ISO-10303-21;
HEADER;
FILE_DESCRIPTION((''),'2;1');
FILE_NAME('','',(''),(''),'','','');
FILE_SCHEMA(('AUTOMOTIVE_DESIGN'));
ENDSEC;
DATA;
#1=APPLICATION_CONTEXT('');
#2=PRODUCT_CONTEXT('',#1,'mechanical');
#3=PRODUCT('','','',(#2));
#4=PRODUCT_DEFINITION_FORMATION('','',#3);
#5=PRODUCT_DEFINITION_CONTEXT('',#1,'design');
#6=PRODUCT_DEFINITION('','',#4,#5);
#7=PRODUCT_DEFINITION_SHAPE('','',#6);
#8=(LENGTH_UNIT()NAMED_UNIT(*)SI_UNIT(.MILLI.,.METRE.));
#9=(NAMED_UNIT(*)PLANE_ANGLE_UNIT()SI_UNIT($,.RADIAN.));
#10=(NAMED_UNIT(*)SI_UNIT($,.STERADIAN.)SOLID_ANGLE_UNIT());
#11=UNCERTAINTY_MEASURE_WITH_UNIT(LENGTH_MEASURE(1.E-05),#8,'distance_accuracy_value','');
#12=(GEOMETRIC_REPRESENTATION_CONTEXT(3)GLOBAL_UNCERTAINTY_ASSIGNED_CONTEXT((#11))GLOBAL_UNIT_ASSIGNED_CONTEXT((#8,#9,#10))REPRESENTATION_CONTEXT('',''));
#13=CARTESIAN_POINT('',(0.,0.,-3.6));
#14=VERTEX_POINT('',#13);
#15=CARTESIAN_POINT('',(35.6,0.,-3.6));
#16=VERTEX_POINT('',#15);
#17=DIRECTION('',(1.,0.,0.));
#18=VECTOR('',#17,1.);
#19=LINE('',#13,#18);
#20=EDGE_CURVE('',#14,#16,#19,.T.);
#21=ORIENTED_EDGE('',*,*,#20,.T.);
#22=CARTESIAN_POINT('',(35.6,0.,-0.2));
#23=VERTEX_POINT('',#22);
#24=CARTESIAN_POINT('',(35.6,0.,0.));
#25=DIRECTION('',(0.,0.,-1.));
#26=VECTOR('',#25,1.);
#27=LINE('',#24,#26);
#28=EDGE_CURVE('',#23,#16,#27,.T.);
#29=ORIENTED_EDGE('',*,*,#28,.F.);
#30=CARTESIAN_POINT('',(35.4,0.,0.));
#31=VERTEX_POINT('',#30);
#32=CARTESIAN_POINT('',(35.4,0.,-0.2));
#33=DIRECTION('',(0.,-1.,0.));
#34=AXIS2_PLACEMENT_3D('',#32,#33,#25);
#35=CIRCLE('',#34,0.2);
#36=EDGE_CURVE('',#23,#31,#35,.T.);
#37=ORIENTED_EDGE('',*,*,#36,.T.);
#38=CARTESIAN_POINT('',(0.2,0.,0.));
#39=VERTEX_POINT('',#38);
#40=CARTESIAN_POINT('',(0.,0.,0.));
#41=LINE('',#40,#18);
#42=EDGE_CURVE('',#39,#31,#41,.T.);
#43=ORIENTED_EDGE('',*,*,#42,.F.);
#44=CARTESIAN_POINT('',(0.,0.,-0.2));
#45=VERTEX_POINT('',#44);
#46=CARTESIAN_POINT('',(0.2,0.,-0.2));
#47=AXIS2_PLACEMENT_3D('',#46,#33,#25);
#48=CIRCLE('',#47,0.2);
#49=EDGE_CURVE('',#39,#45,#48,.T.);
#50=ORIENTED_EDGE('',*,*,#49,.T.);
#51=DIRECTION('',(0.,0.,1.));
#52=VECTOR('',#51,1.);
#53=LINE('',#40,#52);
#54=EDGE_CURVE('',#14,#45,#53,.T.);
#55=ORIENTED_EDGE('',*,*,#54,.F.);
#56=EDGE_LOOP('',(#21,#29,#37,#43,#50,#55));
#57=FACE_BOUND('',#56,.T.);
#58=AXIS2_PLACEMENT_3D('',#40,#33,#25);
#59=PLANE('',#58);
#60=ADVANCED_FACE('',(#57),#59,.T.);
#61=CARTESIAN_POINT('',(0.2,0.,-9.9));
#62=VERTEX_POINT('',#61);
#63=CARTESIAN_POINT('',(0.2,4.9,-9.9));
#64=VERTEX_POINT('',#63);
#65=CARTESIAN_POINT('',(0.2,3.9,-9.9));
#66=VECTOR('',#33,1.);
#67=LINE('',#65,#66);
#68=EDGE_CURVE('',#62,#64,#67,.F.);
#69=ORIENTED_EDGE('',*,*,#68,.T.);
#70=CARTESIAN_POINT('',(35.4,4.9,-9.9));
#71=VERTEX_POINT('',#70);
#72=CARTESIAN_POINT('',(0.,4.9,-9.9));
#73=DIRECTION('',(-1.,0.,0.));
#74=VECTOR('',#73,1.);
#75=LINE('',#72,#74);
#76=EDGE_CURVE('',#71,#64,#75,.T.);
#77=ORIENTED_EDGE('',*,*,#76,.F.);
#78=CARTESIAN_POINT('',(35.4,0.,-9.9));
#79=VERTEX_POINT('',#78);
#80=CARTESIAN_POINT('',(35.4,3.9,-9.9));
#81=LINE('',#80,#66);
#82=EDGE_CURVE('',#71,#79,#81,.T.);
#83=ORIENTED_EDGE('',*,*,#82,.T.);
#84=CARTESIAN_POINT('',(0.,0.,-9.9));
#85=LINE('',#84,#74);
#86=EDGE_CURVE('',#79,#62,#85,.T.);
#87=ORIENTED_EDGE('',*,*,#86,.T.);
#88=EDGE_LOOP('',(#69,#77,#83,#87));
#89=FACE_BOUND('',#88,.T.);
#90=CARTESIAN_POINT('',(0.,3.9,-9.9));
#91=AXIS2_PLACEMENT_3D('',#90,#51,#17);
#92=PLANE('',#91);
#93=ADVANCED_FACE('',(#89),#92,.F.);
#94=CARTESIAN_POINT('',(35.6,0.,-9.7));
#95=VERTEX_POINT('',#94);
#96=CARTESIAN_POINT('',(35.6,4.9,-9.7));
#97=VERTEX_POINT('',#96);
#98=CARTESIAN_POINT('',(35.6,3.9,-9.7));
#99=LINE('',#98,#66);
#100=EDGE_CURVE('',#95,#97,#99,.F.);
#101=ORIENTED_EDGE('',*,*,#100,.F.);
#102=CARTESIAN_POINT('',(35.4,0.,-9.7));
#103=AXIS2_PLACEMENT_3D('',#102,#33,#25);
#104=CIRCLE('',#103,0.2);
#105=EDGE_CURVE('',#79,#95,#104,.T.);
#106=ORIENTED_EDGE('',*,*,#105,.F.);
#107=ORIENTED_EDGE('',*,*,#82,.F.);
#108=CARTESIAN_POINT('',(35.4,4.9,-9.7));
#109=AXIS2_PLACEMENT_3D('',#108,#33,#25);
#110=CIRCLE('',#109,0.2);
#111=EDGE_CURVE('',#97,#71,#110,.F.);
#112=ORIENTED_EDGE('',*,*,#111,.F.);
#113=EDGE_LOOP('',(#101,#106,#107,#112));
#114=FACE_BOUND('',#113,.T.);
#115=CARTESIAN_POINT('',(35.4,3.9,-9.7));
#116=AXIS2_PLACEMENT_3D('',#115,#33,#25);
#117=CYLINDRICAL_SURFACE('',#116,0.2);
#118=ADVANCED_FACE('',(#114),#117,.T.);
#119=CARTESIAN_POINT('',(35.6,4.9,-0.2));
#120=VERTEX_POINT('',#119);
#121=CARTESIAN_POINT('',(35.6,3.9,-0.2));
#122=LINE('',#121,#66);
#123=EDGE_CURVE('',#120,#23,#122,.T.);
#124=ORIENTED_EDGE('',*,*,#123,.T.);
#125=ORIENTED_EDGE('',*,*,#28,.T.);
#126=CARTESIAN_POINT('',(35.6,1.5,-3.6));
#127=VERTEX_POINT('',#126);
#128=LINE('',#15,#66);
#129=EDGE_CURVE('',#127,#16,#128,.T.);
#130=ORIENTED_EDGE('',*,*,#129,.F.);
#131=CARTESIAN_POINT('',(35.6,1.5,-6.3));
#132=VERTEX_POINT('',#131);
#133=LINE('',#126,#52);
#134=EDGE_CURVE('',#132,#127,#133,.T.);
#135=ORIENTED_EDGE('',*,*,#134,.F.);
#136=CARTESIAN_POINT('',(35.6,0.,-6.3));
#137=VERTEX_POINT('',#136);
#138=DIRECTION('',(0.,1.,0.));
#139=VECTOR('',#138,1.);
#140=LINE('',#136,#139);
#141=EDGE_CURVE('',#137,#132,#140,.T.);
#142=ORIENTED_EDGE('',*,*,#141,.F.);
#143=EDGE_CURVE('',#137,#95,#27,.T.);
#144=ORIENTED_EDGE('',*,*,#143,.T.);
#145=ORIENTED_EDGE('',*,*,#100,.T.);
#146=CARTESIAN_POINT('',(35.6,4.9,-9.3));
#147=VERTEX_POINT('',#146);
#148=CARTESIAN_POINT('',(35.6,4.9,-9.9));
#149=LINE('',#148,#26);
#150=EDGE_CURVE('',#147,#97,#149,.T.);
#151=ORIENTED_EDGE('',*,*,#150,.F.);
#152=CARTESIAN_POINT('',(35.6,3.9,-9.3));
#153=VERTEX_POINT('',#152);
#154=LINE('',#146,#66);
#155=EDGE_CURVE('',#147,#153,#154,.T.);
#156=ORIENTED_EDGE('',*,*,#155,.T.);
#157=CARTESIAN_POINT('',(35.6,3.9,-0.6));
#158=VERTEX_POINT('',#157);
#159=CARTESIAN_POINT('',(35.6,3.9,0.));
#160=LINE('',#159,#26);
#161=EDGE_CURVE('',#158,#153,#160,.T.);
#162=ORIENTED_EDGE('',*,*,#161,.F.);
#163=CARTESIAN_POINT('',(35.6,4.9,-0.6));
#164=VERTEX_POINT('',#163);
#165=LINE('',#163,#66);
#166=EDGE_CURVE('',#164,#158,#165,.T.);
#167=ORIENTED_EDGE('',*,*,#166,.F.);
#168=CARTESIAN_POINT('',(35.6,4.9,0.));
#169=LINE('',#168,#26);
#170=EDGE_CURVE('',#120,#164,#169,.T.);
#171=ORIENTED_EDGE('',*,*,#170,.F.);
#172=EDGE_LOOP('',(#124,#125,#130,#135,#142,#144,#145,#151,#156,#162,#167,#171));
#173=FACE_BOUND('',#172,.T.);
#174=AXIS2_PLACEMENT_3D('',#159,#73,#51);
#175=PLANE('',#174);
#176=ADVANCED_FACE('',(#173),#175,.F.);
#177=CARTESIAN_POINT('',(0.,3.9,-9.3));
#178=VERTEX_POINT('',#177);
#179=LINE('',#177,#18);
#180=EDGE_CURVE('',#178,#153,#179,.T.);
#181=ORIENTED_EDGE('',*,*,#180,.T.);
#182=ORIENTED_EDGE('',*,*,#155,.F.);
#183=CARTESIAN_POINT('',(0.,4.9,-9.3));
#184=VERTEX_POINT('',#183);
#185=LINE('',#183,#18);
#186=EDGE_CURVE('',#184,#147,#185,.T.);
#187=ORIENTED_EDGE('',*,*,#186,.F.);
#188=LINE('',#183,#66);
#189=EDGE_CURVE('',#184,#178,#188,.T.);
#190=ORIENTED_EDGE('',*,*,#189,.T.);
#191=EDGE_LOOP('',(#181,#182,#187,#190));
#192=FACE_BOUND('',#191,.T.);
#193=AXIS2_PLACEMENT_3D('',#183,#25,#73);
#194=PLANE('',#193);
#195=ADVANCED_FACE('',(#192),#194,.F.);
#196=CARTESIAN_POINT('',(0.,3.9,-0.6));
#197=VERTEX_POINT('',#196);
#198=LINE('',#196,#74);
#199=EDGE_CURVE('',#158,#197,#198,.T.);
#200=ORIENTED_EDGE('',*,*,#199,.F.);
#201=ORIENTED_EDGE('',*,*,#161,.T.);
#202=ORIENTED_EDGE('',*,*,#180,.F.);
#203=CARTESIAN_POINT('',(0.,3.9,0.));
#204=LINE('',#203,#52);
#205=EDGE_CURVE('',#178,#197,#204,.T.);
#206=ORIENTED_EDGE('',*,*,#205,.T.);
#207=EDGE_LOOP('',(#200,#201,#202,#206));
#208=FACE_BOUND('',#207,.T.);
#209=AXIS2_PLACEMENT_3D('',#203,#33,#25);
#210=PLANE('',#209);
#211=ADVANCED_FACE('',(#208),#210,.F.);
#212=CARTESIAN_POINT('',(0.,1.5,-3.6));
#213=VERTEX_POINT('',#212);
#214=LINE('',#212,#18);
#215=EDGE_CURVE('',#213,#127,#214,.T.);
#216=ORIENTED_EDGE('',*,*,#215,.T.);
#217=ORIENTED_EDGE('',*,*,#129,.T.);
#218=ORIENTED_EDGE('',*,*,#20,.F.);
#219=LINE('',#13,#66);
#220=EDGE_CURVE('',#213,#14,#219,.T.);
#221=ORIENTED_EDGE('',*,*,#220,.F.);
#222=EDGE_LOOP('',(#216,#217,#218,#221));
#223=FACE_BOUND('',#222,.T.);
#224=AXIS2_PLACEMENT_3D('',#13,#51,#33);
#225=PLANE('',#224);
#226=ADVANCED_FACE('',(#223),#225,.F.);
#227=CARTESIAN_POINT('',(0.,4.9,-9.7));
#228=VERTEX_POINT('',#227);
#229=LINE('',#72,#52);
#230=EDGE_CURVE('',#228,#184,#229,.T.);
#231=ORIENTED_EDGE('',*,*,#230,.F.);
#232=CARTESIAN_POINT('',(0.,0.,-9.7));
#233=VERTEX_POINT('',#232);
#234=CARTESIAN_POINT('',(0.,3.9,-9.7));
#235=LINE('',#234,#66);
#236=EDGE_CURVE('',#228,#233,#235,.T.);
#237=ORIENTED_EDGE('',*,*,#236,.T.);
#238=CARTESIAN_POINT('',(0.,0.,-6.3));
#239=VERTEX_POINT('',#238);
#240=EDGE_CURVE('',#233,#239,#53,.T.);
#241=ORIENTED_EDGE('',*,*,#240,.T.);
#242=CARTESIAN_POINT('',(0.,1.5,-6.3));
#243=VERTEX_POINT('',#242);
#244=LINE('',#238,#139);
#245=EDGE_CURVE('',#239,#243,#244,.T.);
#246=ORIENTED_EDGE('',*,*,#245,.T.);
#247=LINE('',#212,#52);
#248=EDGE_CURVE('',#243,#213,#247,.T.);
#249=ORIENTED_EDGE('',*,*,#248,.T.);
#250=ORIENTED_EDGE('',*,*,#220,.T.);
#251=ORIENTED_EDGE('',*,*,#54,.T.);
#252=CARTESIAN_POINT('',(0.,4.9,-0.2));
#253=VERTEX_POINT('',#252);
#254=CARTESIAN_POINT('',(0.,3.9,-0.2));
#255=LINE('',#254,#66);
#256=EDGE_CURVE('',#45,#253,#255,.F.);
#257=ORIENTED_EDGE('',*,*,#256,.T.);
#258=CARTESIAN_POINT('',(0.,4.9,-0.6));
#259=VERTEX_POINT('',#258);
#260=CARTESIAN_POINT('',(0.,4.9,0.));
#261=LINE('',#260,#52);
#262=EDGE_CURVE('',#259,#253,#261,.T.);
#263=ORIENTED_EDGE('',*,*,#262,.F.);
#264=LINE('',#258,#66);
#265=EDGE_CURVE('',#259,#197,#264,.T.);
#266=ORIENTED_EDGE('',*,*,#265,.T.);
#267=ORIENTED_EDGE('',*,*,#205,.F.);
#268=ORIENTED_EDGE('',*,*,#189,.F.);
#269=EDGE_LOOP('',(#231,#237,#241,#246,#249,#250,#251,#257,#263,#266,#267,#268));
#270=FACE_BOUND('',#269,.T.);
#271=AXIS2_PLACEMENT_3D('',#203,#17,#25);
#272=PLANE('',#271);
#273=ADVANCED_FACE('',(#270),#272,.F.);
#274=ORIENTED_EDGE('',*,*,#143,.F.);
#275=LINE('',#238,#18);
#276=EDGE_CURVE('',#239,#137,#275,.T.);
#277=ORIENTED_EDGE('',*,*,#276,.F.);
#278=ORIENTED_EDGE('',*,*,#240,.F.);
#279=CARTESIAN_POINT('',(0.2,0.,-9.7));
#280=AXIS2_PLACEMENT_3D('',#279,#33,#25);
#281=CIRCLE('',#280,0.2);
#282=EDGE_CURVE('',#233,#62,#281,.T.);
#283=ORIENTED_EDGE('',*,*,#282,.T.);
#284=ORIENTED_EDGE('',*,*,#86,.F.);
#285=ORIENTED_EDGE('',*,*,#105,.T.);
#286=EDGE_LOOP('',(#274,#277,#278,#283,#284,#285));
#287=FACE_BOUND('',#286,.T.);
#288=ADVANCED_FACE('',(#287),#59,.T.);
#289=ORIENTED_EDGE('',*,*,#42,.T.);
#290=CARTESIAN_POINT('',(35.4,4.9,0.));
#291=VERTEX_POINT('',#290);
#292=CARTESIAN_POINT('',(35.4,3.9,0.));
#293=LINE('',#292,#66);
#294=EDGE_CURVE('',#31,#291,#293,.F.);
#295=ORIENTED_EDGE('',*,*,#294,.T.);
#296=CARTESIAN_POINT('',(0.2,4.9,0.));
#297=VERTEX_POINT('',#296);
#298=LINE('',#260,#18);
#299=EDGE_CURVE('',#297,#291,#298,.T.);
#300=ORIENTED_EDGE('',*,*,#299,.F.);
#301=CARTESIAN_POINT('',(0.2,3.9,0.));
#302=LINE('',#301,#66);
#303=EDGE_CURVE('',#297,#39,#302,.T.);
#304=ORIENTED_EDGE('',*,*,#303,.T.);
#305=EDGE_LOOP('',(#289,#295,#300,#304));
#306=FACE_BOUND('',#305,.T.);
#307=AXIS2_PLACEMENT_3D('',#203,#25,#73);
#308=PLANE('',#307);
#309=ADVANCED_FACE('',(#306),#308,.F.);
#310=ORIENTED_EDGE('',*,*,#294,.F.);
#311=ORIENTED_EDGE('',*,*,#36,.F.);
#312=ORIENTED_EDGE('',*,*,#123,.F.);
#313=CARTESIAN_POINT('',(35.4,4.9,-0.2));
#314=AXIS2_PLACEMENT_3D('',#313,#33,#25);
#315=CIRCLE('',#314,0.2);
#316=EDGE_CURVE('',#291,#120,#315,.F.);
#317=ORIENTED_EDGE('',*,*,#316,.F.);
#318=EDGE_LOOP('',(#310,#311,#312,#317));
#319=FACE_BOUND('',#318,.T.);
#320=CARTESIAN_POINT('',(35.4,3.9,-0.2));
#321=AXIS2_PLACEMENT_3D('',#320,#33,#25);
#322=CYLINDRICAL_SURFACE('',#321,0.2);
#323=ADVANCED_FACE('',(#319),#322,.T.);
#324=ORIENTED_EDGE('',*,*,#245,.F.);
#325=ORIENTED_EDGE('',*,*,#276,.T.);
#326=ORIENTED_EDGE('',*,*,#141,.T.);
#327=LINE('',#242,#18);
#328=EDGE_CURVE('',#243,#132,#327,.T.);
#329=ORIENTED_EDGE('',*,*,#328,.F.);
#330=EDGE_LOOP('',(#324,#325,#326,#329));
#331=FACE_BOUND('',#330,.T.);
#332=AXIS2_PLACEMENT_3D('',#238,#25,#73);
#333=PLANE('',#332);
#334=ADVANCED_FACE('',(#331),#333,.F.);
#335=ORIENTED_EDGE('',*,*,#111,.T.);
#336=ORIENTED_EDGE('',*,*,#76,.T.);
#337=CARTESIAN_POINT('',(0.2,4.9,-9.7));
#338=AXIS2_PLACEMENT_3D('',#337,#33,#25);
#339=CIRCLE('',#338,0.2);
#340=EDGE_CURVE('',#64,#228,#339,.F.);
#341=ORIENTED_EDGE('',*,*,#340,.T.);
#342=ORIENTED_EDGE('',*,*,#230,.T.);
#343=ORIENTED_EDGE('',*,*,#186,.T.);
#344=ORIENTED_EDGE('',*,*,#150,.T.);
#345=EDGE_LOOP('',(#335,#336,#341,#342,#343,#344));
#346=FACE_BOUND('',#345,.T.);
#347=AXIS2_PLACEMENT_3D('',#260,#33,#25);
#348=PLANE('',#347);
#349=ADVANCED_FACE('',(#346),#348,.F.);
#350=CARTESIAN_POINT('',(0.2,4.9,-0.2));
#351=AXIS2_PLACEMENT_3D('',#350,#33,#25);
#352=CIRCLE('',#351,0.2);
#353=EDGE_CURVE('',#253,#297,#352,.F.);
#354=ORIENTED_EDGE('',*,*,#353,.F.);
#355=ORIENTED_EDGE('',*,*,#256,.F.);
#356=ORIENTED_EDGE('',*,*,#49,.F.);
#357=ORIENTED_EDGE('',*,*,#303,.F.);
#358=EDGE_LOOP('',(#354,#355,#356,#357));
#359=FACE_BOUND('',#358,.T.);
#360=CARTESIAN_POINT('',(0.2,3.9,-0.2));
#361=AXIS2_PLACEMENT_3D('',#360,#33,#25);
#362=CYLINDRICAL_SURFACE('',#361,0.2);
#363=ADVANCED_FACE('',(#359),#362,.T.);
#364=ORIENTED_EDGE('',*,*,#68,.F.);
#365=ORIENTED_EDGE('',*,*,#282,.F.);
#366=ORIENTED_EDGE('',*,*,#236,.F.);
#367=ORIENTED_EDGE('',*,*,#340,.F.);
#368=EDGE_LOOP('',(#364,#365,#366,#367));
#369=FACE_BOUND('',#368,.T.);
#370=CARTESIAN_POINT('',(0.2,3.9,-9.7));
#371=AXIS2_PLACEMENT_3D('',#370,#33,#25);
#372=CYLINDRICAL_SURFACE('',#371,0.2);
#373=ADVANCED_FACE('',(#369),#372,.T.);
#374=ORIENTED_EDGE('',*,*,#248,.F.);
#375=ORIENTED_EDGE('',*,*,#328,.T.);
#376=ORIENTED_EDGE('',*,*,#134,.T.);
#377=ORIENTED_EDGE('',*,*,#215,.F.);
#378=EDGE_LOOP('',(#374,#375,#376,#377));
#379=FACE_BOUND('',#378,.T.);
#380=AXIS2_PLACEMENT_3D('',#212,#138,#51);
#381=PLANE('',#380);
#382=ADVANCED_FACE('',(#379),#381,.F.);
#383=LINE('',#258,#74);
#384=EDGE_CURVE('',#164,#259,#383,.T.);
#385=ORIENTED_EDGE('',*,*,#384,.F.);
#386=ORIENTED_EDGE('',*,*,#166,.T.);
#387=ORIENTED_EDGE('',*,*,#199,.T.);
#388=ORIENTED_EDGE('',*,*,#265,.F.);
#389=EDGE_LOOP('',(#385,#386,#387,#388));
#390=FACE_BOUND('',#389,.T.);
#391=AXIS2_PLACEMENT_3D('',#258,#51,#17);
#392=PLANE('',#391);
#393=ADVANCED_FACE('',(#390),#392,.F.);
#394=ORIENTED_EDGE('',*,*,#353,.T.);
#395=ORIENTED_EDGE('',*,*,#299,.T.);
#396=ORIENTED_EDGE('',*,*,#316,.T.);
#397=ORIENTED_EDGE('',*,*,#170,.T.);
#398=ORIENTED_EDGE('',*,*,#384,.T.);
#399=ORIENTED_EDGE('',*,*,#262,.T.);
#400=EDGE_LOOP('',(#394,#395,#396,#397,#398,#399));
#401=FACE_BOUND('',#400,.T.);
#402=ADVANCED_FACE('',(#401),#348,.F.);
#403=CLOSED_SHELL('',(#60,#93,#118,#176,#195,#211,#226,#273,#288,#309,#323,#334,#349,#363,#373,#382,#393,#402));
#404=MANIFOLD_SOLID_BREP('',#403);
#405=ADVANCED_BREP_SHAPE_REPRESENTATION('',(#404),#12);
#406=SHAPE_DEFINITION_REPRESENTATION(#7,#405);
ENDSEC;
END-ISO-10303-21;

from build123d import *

# Parameters (mm, degrees)
ESQUISSE1_W             = 35.6
ESQUISSE1_H             = 9.9
BOSS_EXTRU_1_DEPTH      = 3.9
ESQUISSE2_W             = 2.7
ESQUISSE2_H             = 1.5
ENL_V_MAT_EXTRU_1_DEPTH = 36.6
ESQUISSE3_W             = 35.6
ESQUISSE3_H             = 0.6
BOSS_EXTRU_2_DEPTH      = 1
CONG_1_R                = 0.2


with BuildPart() as part:
    # Esquisse1 → Boss.-Extru.1 (new body)
    with BuildSketch(Plane(origin=(0, 0, 0), x_dir=(1, 0, 0), z_dir=(0, 1, 0))):
        with Locations((17.8, 4.95)):
            Rectangle(ESQUISSE1_W, ESQUISSE1_H)
    extrude(amount=BOSS_EXTRU_1_DEPTH)

    # Esquisse2 → Enlèv. mat.-Extru.1 (cut, through all)
    with BuildSketch(Plane(origin=(35.6, 0, 0), x_dir=(0, 0, -1), z_dir=(1, 0, 0))):
        with Locations((4.95, 0.75)):
            Rectangle(ESQUISSE2_W, ESQUISSE2_H)
    extrude(amount=-ENL_V_MAT_EXTRU_1_DEPTH, mode=Mode.SUBTRACT)

    # Esquisse3 → Boss.-Extru.2 (add)
    with BuildSketch(Plane(origin=(0, 3.9, 0), x_dir=(1, 0, 0), z_dir=(0, 1, 0))):
        with Locations((17.8, 0.3)):
            Rectangle(ESQUISSE3_W, ESQUISSE3_H)
        with Locations((17.8, 9.6)):
            Rectangle(ESQUISSE3_W, ESQUISSE3_H)
    extrude(amount=BOSS_EXTRU_2_DEPTH)

    # Congé1
    cong_1_edges = [part.edges().sort_by_distance(p)[0] for p in [
        (0, 2.45, -9.9),
        (35.6, 2.45, -9.9),
        (35.6, 2.45, 0),
        (0, 2.45, 0),
    ]]
    fillet(cong_1_edges, radius=CONG_1_R)


solid = part.part
